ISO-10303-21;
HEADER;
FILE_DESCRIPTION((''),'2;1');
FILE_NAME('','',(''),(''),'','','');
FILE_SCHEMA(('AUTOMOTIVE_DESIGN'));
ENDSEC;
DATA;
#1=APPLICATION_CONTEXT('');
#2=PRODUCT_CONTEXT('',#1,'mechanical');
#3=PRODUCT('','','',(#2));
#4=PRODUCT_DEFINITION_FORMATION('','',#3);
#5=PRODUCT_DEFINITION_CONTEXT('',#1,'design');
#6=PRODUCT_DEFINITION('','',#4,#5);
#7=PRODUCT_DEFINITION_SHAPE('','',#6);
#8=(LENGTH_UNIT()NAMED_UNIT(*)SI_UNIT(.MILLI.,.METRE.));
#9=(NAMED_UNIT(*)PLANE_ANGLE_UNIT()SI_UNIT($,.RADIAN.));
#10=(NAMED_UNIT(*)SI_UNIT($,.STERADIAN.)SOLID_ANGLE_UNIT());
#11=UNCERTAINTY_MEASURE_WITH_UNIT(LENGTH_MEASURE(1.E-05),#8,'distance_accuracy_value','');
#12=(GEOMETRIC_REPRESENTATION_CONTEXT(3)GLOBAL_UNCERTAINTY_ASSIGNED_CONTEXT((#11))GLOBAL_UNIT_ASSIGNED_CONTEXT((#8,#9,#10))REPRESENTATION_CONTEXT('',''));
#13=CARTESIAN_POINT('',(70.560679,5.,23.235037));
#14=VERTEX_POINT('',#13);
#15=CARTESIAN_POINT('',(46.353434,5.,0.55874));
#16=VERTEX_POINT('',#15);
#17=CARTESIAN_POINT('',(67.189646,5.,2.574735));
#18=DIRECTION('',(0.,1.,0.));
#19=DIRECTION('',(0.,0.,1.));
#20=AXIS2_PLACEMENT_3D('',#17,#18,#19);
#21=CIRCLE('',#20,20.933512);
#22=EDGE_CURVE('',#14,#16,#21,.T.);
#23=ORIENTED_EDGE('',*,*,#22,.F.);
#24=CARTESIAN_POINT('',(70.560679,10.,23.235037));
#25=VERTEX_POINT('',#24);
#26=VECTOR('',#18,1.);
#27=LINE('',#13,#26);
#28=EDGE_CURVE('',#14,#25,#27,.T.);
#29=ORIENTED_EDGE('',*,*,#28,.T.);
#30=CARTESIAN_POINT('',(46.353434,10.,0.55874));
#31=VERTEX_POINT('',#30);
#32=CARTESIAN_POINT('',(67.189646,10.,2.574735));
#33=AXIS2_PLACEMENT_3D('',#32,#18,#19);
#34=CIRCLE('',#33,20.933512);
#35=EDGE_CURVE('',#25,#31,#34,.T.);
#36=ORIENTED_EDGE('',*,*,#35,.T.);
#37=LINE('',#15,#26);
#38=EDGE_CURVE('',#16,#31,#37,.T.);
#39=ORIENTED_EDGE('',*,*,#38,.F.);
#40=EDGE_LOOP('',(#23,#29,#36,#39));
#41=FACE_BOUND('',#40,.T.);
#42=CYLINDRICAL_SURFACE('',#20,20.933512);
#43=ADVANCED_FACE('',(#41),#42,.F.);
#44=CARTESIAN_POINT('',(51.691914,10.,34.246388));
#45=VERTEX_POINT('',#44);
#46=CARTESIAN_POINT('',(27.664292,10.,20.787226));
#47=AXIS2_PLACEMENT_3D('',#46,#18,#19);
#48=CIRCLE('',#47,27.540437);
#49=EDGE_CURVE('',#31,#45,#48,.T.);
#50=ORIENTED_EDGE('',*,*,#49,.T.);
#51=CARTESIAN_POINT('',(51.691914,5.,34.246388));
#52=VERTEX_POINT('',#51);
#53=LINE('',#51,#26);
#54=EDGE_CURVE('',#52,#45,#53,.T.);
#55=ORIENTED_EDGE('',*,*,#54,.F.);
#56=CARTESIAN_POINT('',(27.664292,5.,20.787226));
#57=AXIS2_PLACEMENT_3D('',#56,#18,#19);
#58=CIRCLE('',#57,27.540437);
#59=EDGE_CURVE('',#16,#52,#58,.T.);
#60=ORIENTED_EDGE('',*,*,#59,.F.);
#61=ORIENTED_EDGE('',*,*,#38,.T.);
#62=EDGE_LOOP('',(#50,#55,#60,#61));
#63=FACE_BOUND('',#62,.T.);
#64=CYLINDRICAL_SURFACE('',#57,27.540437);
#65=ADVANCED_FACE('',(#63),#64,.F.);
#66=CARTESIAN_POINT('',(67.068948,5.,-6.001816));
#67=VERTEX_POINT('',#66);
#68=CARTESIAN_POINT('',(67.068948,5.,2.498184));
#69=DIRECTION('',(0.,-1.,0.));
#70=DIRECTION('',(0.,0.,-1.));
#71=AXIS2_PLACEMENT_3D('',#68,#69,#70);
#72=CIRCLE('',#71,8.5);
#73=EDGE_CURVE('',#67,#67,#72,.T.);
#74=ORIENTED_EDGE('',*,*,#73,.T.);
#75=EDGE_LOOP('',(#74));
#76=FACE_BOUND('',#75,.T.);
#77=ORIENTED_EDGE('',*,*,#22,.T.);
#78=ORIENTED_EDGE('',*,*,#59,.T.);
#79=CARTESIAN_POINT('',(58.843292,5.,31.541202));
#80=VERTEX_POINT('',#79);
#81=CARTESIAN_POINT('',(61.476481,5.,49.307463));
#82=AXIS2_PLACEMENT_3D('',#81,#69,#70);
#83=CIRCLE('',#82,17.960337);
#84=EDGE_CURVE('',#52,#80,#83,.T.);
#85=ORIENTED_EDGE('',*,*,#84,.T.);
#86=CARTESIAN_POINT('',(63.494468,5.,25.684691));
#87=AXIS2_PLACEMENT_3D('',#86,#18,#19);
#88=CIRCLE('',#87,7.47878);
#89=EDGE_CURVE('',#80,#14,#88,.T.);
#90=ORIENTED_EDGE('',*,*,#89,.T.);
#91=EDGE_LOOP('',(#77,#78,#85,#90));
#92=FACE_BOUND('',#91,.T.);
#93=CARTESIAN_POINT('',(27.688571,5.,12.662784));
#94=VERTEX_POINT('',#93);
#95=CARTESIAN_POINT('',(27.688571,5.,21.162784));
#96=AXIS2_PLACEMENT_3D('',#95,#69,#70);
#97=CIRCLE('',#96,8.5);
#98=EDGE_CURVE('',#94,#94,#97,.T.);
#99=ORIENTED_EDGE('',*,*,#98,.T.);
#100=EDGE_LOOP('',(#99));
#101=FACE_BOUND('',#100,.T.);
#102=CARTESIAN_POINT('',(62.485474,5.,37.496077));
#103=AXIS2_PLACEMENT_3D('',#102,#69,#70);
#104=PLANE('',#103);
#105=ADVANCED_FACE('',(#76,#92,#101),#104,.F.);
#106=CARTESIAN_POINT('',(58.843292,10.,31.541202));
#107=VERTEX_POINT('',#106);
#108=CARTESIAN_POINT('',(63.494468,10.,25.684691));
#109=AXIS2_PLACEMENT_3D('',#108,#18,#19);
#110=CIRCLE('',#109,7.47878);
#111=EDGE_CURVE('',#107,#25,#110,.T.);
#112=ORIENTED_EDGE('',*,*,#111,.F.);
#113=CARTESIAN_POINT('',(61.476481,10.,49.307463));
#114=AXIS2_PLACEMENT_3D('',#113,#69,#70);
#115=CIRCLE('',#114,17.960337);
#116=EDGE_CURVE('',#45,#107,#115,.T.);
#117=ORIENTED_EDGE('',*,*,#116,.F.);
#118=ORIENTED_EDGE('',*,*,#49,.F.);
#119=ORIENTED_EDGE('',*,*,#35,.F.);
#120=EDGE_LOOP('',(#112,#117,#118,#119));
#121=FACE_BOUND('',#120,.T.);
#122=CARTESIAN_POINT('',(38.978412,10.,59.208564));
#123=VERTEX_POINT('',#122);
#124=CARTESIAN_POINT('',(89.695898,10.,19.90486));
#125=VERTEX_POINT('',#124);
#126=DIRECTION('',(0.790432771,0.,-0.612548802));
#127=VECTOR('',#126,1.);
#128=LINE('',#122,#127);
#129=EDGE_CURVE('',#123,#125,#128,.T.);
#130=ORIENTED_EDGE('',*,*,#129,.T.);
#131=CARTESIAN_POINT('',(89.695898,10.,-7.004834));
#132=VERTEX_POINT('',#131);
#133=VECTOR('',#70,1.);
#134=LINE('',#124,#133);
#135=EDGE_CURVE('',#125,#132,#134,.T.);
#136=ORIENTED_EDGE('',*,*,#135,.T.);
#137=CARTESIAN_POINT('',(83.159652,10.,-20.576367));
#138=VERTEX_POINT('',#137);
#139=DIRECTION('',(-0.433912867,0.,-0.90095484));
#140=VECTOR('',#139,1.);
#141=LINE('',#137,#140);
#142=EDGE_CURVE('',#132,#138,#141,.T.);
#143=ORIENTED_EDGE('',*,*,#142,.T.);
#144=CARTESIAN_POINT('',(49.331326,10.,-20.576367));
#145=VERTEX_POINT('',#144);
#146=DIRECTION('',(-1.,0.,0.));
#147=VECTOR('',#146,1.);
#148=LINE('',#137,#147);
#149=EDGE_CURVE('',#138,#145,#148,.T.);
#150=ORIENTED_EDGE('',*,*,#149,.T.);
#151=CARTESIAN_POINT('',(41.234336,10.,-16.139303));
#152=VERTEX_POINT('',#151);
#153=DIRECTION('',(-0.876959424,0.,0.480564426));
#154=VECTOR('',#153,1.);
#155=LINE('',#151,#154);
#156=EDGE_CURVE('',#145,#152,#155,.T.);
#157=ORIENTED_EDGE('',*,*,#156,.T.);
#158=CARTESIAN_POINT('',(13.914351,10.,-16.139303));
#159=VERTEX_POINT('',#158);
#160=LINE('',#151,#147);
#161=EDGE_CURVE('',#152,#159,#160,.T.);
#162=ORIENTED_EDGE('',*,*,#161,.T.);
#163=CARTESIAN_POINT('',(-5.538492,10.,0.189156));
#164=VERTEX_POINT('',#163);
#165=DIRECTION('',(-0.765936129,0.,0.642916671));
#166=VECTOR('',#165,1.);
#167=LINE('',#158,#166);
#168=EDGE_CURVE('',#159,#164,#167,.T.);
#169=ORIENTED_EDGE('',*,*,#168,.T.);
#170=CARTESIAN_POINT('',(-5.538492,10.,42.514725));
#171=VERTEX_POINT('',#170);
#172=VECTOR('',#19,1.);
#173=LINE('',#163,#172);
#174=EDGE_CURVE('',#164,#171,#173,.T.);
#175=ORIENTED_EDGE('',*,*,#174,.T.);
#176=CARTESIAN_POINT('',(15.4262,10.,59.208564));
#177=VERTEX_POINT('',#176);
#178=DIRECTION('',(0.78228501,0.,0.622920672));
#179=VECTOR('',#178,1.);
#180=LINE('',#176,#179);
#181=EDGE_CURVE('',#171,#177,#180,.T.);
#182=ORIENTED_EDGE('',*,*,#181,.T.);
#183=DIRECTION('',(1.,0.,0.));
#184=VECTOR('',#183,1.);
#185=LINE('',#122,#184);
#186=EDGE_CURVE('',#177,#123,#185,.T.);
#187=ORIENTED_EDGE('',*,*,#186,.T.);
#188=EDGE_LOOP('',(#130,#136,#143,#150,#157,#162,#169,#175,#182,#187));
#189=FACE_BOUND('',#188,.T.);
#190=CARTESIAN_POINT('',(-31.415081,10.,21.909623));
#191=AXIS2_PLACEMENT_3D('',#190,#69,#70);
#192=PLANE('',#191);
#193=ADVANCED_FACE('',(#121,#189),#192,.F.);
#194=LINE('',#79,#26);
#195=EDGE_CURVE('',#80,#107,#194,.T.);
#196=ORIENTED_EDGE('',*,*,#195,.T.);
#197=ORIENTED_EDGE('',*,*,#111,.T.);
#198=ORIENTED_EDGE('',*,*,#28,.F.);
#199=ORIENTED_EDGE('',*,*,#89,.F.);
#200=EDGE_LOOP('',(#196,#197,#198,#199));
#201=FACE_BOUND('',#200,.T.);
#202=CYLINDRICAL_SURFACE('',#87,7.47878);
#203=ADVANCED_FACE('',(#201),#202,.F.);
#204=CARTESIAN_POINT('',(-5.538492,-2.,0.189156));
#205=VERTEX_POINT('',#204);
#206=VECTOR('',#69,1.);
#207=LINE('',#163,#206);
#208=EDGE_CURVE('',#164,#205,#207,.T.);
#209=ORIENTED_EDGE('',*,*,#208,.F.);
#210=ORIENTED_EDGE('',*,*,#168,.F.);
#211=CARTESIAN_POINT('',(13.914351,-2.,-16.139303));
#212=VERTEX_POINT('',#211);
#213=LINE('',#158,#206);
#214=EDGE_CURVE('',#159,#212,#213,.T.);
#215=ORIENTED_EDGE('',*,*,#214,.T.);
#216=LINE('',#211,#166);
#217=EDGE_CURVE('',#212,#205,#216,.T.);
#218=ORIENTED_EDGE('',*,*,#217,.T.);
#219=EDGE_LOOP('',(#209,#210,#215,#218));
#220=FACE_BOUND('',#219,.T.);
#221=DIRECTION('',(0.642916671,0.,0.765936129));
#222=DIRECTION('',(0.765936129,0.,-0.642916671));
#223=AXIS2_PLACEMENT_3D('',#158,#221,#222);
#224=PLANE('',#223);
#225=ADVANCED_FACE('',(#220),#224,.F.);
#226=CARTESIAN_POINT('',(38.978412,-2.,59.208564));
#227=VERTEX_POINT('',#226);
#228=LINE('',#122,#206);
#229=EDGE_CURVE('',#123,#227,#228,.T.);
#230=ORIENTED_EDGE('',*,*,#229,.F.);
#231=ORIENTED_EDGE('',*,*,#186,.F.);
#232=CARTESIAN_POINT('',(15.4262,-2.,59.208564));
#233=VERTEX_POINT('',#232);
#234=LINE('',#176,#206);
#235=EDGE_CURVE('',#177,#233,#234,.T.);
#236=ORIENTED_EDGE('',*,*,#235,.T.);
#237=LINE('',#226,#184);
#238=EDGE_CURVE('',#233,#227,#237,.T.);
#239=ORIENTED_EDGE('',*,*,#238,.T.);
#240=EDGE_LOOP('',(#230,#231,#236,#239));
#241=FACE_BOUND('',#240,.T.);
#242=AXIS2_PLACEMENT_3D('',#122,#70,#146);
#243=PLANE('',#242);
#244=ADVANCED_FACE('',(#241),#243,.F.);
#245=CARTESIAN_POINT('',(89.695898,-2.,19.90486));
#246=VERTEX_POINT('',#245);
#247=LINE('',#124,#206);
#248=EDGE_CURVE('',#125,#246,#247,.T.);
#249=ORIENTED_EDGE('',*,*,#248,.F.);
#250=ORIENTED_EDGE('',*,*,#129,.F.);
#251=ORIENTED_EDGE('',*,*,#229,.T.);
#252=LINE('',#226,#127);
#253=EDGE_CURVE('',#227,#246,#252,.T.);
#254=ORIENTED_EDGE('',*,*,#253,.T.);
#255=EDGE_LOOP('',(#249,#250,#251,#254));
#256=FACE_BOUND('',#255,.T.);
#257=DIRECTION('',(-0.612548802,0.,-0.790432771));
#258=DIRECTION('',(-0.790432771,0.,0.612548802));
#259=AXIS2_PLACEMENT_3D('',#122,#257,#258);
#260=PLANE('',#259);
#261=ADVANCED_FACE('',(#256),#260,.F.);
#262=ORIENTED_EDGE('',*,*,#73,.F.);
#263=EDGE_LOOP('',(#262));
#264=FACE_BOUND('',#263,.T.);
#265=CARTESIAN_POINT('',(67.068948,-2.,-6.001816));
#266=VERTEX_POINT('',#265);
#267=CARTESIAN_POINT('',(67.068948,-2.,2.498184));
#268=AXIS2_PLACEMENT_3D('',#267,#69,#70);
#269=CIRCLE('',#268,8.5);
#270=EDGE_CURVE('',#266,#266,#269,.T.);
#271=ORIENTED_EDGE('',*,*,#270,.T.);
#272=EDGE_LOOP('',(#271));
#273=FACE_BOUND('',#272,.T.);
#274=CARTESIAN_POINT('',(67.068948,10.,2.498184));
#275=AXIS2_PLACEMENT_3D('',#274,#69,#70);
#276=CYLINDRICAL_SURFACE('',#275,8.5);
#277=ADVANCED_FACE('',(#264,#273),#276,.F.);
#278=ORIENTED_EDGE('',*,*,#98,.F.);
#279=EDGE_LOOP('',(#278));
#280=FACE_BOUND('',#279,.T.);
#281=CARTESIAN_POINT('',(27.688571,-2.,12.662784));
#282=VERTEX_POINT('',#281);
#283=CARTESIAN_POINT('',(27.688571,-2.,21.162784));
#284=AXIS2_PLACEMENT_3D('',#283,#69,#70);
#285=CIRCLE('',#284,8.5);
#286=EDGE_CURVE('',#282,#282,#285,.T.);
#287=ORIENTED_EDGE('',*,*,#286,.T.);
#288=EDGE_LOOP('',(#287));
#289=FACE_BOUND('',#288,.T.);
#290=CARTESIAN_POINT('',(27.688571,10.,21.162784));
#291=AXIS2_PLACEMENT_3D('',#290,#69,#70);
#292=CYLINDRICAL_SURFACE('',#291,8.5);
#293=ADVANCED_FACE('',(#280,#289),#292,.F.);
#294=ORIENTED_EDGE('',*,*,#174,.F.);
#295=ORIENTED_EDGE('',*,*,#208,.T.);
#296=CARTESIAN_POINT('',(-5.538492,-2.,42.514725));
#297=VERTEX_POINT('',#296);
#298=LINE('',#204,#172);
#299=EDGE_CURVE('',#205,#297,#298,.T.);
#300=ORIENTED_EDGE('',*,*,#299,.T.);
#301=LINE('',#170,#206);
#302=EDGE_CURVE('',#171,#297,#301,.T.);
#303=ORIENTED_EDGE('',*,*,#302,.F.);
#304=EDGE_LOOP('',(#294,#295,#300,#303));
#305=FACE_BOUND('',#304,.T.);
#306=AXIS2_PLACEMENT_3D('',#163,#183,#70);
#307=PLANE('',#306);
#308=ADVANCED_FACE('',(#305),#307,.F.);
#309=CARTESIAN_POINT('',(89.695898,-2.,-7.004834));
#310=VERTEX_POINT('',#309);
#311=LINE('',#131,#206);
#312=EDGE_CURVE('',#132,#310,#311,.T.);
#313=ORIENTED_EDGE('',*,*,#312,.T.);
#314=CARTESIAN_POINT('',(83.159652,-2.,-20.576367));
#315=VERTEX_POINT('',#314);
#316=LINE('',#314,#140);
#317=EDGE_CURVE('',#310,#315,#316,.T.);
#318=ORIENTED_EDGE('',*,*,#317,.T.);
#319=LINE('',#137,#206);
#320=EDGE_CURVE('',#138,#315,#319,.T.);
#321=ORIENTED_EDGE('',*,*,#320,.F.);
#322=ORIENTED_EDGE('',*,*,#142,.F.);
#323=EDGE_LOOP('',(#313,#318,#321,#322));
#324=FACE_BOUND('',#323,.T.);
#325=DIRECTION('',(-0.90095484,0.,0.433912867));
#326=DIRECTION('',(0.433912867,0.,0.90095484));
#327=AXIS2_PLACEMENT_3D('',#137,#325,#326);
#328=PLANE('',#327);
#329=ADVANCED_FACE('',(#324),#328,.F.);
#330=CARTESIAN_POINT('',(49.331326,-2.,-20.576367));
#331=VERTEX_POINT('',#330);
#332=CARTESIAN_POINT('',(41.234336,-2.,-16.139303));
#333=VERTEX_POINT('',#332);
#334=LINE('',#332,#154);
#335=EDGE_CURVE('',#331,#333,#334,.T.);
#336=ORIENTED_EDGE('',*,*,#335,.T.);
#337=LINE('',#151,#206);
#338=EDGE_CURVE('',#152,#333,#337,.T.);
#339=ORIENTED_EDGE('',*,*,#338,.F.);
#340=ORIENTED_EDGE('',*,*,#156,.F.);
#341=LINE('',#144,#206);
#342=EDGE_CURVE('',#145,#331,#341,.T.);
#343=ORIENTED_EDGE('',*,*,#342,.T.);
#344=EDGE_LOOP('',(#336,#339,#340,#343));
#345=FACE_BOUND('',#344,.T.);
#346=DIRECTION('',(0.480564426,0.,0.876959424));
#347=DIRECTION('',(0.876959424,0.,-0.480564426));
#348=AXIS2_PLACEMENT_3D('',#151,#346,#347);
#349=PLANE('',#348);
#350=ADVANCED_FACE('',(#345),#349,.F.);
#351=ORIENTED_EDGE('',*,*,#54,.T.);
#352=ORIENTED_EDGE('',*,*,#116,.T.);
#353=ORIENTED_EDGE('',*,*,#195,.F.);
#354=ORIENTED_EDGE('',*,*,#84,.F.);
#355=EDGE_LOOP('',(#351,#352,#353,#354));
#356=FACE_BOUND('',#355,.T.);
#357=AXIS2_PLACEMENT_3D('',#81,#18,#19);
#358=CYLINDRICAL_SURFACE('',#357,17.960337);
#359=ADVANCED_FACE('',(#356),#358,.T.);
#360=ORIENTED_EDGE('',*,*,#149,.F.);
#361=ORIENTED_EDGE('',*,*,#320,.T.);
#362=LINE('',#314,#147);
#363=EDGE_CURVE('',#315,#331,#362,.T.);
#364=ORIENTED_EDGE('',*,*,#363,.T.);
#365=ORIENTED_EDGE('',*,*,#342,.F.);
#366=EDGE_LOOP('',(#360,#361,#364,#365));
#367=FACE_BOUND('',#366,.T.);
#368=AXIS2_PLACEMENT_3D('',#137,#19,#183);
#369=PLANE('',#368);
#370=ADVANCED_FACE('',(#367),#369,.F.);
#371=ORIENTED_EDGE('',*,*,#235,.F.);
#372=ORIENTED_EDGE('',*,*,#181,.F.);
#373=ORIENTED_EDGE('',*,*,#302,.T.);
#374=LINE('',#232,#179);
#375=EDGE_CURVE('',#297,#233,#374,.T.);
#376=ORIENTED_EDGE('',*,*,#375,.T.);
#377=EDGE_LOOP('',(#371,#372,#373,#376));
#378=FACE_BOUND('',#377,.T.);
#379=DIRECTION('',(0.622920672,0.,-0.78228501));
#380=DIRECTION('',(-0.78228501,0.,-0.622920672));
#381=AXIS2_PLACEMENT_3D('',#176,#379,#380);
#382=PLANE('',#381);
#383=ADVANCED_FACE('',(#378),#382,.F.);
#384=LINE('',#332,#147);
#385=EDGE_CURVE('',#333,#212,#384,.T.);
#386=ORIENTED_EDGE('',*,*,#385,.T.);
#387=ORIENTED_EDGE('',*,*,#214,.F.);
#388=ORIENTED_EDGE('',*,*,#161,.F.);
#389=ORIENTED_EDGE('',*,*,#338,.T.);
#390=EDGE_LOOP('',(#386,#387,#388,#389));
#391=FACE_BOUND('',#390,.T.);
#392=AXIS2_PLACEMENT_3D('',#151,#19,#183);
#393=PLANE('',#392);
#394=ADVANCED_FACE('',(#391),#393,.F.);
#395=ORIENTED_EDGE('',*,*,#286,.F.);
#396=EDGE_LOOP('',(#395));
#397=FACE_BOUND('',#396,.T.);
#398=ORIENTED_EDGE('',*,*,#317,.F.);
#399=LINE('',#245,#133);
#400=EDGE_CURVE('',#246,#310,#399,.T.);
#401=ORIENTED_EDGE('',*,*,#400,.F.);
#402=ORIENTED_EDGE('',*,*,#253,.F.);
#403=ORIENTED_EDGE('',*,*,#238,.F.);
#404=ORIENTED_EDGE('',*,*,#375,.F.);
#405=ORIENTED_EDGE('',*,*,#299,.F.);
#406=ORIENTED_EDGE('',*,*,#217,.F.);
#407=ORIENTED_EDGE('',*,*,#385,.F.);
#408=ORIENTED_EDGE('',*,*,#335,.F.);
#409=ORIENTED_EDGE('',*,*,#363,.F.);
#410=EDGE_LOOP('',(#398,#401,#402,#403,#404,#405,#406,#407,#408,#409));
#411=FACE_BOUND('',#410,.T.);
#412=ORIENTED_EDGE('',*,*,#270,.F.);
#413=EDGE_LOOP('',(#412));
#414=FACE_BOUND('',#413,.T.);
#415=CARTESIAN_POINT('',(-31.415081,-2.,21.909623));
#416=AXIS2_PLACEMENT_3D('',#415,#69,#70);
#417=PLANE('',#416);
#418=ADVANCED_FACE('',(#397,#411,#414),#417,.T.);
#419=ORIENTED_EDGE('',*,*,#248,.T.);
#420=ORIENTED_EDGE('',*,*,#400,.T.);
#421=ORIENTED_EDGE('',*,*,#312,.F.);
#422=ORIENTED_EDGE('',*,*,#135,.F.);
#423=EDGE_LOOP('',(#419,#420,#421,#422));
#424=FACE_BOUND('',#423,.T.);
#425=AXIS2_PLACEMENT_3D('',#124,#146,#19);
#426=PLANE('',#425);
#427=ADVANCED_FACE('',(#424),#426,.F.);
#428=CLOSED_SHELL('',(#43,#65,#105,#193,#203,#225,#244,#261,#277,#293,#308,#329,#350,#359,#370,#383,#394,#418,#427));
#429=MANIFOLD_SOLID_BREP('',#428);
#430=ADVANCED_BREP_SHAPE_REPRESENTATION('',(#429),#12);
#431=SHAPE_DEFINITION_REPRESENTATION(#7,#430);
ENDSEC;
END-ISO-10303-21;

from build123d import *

# Parameters (mm, degrees)
EXTRUDE_START       = -2
EXTRUDE_1_DEPTH     = 12
CUT_EXTRUDE_1_DEPTH = 5
SKETCH_4_R          = 8.5
CUT_EXTRUDE_2_DEPTH = 109.143461437


with BuildPart() as part:
    # Эскиз1 → Вытянуть1 (new body)
    with BuildSketch(Plane(origin=(0, 0, 0), x_dir=(1, 0, 0), z_dir=(0, 1, 0)).offset(EXTRUDE_START)):
        Polygon((41.234335961, 16.139303033), (49.33132622, 20.576367476), (83.159652077, 20.576367476), (89.695898477, 7.004834382), (89.695898477, -19.904859962), (38.978411799, -59.208563976), (15.42620007, -59.208563976), (-5.538491663, -42.514725177), (-5.538491663, -0.189156064), (13.914350861, 16.139303033), align=None)
    extrude(amount=EXTRUDE_1_DEPTH)

    # Эскиз2 → Вырез-Вытянуть1 (cut)
    with BuildSketch(Plane(origin=(0, 10, 0), x_dir=(1, 0, 0), z_dir=(0, 1, 0))):
        with BuildLine():
            ThreePointArc((46.353434454, -0.558740061), (0.463282904, -25.097768311), (51.691914237, -34.246388345))
            ThreePointArc((51.691914237, -34.246388345), (55.121981017, -32.508830766), (58.84329247, -31.541201954))
            ThreePointArc((58.84329247, -31.541201954), (67.819533531, -31.785998768), (70.560678986, -23.235036795))
            ThreePointArc((70.560678986, -23.235036795), (81.500890347, 12.702706564), (46.353434454, -0.558740061))
        make_face()
    extrude(amount=-CUT_EXTRUDE_1_DEPTH, mode=Mode.SUBTRACT)

    # Эскиз4 → Вырез-Вытянуть2 (cut, through all)
    with BuildSketch(Plane.XZ.offset(2)):
        with Locations(Location((27.688571463, 21.162784436, 0), (0, 0, 270))):
            Circle(SKETCH_4_R)
        with Locations(Location((67.068947784, 2.498184147, 0), (0, 0, 270))):
            Circle(SKETCH_4_R)
    extrude(amount=-CUT_EXTRUDE_2_DEPTH, mode=Mode.SUBTRACT)


solid = part.part
